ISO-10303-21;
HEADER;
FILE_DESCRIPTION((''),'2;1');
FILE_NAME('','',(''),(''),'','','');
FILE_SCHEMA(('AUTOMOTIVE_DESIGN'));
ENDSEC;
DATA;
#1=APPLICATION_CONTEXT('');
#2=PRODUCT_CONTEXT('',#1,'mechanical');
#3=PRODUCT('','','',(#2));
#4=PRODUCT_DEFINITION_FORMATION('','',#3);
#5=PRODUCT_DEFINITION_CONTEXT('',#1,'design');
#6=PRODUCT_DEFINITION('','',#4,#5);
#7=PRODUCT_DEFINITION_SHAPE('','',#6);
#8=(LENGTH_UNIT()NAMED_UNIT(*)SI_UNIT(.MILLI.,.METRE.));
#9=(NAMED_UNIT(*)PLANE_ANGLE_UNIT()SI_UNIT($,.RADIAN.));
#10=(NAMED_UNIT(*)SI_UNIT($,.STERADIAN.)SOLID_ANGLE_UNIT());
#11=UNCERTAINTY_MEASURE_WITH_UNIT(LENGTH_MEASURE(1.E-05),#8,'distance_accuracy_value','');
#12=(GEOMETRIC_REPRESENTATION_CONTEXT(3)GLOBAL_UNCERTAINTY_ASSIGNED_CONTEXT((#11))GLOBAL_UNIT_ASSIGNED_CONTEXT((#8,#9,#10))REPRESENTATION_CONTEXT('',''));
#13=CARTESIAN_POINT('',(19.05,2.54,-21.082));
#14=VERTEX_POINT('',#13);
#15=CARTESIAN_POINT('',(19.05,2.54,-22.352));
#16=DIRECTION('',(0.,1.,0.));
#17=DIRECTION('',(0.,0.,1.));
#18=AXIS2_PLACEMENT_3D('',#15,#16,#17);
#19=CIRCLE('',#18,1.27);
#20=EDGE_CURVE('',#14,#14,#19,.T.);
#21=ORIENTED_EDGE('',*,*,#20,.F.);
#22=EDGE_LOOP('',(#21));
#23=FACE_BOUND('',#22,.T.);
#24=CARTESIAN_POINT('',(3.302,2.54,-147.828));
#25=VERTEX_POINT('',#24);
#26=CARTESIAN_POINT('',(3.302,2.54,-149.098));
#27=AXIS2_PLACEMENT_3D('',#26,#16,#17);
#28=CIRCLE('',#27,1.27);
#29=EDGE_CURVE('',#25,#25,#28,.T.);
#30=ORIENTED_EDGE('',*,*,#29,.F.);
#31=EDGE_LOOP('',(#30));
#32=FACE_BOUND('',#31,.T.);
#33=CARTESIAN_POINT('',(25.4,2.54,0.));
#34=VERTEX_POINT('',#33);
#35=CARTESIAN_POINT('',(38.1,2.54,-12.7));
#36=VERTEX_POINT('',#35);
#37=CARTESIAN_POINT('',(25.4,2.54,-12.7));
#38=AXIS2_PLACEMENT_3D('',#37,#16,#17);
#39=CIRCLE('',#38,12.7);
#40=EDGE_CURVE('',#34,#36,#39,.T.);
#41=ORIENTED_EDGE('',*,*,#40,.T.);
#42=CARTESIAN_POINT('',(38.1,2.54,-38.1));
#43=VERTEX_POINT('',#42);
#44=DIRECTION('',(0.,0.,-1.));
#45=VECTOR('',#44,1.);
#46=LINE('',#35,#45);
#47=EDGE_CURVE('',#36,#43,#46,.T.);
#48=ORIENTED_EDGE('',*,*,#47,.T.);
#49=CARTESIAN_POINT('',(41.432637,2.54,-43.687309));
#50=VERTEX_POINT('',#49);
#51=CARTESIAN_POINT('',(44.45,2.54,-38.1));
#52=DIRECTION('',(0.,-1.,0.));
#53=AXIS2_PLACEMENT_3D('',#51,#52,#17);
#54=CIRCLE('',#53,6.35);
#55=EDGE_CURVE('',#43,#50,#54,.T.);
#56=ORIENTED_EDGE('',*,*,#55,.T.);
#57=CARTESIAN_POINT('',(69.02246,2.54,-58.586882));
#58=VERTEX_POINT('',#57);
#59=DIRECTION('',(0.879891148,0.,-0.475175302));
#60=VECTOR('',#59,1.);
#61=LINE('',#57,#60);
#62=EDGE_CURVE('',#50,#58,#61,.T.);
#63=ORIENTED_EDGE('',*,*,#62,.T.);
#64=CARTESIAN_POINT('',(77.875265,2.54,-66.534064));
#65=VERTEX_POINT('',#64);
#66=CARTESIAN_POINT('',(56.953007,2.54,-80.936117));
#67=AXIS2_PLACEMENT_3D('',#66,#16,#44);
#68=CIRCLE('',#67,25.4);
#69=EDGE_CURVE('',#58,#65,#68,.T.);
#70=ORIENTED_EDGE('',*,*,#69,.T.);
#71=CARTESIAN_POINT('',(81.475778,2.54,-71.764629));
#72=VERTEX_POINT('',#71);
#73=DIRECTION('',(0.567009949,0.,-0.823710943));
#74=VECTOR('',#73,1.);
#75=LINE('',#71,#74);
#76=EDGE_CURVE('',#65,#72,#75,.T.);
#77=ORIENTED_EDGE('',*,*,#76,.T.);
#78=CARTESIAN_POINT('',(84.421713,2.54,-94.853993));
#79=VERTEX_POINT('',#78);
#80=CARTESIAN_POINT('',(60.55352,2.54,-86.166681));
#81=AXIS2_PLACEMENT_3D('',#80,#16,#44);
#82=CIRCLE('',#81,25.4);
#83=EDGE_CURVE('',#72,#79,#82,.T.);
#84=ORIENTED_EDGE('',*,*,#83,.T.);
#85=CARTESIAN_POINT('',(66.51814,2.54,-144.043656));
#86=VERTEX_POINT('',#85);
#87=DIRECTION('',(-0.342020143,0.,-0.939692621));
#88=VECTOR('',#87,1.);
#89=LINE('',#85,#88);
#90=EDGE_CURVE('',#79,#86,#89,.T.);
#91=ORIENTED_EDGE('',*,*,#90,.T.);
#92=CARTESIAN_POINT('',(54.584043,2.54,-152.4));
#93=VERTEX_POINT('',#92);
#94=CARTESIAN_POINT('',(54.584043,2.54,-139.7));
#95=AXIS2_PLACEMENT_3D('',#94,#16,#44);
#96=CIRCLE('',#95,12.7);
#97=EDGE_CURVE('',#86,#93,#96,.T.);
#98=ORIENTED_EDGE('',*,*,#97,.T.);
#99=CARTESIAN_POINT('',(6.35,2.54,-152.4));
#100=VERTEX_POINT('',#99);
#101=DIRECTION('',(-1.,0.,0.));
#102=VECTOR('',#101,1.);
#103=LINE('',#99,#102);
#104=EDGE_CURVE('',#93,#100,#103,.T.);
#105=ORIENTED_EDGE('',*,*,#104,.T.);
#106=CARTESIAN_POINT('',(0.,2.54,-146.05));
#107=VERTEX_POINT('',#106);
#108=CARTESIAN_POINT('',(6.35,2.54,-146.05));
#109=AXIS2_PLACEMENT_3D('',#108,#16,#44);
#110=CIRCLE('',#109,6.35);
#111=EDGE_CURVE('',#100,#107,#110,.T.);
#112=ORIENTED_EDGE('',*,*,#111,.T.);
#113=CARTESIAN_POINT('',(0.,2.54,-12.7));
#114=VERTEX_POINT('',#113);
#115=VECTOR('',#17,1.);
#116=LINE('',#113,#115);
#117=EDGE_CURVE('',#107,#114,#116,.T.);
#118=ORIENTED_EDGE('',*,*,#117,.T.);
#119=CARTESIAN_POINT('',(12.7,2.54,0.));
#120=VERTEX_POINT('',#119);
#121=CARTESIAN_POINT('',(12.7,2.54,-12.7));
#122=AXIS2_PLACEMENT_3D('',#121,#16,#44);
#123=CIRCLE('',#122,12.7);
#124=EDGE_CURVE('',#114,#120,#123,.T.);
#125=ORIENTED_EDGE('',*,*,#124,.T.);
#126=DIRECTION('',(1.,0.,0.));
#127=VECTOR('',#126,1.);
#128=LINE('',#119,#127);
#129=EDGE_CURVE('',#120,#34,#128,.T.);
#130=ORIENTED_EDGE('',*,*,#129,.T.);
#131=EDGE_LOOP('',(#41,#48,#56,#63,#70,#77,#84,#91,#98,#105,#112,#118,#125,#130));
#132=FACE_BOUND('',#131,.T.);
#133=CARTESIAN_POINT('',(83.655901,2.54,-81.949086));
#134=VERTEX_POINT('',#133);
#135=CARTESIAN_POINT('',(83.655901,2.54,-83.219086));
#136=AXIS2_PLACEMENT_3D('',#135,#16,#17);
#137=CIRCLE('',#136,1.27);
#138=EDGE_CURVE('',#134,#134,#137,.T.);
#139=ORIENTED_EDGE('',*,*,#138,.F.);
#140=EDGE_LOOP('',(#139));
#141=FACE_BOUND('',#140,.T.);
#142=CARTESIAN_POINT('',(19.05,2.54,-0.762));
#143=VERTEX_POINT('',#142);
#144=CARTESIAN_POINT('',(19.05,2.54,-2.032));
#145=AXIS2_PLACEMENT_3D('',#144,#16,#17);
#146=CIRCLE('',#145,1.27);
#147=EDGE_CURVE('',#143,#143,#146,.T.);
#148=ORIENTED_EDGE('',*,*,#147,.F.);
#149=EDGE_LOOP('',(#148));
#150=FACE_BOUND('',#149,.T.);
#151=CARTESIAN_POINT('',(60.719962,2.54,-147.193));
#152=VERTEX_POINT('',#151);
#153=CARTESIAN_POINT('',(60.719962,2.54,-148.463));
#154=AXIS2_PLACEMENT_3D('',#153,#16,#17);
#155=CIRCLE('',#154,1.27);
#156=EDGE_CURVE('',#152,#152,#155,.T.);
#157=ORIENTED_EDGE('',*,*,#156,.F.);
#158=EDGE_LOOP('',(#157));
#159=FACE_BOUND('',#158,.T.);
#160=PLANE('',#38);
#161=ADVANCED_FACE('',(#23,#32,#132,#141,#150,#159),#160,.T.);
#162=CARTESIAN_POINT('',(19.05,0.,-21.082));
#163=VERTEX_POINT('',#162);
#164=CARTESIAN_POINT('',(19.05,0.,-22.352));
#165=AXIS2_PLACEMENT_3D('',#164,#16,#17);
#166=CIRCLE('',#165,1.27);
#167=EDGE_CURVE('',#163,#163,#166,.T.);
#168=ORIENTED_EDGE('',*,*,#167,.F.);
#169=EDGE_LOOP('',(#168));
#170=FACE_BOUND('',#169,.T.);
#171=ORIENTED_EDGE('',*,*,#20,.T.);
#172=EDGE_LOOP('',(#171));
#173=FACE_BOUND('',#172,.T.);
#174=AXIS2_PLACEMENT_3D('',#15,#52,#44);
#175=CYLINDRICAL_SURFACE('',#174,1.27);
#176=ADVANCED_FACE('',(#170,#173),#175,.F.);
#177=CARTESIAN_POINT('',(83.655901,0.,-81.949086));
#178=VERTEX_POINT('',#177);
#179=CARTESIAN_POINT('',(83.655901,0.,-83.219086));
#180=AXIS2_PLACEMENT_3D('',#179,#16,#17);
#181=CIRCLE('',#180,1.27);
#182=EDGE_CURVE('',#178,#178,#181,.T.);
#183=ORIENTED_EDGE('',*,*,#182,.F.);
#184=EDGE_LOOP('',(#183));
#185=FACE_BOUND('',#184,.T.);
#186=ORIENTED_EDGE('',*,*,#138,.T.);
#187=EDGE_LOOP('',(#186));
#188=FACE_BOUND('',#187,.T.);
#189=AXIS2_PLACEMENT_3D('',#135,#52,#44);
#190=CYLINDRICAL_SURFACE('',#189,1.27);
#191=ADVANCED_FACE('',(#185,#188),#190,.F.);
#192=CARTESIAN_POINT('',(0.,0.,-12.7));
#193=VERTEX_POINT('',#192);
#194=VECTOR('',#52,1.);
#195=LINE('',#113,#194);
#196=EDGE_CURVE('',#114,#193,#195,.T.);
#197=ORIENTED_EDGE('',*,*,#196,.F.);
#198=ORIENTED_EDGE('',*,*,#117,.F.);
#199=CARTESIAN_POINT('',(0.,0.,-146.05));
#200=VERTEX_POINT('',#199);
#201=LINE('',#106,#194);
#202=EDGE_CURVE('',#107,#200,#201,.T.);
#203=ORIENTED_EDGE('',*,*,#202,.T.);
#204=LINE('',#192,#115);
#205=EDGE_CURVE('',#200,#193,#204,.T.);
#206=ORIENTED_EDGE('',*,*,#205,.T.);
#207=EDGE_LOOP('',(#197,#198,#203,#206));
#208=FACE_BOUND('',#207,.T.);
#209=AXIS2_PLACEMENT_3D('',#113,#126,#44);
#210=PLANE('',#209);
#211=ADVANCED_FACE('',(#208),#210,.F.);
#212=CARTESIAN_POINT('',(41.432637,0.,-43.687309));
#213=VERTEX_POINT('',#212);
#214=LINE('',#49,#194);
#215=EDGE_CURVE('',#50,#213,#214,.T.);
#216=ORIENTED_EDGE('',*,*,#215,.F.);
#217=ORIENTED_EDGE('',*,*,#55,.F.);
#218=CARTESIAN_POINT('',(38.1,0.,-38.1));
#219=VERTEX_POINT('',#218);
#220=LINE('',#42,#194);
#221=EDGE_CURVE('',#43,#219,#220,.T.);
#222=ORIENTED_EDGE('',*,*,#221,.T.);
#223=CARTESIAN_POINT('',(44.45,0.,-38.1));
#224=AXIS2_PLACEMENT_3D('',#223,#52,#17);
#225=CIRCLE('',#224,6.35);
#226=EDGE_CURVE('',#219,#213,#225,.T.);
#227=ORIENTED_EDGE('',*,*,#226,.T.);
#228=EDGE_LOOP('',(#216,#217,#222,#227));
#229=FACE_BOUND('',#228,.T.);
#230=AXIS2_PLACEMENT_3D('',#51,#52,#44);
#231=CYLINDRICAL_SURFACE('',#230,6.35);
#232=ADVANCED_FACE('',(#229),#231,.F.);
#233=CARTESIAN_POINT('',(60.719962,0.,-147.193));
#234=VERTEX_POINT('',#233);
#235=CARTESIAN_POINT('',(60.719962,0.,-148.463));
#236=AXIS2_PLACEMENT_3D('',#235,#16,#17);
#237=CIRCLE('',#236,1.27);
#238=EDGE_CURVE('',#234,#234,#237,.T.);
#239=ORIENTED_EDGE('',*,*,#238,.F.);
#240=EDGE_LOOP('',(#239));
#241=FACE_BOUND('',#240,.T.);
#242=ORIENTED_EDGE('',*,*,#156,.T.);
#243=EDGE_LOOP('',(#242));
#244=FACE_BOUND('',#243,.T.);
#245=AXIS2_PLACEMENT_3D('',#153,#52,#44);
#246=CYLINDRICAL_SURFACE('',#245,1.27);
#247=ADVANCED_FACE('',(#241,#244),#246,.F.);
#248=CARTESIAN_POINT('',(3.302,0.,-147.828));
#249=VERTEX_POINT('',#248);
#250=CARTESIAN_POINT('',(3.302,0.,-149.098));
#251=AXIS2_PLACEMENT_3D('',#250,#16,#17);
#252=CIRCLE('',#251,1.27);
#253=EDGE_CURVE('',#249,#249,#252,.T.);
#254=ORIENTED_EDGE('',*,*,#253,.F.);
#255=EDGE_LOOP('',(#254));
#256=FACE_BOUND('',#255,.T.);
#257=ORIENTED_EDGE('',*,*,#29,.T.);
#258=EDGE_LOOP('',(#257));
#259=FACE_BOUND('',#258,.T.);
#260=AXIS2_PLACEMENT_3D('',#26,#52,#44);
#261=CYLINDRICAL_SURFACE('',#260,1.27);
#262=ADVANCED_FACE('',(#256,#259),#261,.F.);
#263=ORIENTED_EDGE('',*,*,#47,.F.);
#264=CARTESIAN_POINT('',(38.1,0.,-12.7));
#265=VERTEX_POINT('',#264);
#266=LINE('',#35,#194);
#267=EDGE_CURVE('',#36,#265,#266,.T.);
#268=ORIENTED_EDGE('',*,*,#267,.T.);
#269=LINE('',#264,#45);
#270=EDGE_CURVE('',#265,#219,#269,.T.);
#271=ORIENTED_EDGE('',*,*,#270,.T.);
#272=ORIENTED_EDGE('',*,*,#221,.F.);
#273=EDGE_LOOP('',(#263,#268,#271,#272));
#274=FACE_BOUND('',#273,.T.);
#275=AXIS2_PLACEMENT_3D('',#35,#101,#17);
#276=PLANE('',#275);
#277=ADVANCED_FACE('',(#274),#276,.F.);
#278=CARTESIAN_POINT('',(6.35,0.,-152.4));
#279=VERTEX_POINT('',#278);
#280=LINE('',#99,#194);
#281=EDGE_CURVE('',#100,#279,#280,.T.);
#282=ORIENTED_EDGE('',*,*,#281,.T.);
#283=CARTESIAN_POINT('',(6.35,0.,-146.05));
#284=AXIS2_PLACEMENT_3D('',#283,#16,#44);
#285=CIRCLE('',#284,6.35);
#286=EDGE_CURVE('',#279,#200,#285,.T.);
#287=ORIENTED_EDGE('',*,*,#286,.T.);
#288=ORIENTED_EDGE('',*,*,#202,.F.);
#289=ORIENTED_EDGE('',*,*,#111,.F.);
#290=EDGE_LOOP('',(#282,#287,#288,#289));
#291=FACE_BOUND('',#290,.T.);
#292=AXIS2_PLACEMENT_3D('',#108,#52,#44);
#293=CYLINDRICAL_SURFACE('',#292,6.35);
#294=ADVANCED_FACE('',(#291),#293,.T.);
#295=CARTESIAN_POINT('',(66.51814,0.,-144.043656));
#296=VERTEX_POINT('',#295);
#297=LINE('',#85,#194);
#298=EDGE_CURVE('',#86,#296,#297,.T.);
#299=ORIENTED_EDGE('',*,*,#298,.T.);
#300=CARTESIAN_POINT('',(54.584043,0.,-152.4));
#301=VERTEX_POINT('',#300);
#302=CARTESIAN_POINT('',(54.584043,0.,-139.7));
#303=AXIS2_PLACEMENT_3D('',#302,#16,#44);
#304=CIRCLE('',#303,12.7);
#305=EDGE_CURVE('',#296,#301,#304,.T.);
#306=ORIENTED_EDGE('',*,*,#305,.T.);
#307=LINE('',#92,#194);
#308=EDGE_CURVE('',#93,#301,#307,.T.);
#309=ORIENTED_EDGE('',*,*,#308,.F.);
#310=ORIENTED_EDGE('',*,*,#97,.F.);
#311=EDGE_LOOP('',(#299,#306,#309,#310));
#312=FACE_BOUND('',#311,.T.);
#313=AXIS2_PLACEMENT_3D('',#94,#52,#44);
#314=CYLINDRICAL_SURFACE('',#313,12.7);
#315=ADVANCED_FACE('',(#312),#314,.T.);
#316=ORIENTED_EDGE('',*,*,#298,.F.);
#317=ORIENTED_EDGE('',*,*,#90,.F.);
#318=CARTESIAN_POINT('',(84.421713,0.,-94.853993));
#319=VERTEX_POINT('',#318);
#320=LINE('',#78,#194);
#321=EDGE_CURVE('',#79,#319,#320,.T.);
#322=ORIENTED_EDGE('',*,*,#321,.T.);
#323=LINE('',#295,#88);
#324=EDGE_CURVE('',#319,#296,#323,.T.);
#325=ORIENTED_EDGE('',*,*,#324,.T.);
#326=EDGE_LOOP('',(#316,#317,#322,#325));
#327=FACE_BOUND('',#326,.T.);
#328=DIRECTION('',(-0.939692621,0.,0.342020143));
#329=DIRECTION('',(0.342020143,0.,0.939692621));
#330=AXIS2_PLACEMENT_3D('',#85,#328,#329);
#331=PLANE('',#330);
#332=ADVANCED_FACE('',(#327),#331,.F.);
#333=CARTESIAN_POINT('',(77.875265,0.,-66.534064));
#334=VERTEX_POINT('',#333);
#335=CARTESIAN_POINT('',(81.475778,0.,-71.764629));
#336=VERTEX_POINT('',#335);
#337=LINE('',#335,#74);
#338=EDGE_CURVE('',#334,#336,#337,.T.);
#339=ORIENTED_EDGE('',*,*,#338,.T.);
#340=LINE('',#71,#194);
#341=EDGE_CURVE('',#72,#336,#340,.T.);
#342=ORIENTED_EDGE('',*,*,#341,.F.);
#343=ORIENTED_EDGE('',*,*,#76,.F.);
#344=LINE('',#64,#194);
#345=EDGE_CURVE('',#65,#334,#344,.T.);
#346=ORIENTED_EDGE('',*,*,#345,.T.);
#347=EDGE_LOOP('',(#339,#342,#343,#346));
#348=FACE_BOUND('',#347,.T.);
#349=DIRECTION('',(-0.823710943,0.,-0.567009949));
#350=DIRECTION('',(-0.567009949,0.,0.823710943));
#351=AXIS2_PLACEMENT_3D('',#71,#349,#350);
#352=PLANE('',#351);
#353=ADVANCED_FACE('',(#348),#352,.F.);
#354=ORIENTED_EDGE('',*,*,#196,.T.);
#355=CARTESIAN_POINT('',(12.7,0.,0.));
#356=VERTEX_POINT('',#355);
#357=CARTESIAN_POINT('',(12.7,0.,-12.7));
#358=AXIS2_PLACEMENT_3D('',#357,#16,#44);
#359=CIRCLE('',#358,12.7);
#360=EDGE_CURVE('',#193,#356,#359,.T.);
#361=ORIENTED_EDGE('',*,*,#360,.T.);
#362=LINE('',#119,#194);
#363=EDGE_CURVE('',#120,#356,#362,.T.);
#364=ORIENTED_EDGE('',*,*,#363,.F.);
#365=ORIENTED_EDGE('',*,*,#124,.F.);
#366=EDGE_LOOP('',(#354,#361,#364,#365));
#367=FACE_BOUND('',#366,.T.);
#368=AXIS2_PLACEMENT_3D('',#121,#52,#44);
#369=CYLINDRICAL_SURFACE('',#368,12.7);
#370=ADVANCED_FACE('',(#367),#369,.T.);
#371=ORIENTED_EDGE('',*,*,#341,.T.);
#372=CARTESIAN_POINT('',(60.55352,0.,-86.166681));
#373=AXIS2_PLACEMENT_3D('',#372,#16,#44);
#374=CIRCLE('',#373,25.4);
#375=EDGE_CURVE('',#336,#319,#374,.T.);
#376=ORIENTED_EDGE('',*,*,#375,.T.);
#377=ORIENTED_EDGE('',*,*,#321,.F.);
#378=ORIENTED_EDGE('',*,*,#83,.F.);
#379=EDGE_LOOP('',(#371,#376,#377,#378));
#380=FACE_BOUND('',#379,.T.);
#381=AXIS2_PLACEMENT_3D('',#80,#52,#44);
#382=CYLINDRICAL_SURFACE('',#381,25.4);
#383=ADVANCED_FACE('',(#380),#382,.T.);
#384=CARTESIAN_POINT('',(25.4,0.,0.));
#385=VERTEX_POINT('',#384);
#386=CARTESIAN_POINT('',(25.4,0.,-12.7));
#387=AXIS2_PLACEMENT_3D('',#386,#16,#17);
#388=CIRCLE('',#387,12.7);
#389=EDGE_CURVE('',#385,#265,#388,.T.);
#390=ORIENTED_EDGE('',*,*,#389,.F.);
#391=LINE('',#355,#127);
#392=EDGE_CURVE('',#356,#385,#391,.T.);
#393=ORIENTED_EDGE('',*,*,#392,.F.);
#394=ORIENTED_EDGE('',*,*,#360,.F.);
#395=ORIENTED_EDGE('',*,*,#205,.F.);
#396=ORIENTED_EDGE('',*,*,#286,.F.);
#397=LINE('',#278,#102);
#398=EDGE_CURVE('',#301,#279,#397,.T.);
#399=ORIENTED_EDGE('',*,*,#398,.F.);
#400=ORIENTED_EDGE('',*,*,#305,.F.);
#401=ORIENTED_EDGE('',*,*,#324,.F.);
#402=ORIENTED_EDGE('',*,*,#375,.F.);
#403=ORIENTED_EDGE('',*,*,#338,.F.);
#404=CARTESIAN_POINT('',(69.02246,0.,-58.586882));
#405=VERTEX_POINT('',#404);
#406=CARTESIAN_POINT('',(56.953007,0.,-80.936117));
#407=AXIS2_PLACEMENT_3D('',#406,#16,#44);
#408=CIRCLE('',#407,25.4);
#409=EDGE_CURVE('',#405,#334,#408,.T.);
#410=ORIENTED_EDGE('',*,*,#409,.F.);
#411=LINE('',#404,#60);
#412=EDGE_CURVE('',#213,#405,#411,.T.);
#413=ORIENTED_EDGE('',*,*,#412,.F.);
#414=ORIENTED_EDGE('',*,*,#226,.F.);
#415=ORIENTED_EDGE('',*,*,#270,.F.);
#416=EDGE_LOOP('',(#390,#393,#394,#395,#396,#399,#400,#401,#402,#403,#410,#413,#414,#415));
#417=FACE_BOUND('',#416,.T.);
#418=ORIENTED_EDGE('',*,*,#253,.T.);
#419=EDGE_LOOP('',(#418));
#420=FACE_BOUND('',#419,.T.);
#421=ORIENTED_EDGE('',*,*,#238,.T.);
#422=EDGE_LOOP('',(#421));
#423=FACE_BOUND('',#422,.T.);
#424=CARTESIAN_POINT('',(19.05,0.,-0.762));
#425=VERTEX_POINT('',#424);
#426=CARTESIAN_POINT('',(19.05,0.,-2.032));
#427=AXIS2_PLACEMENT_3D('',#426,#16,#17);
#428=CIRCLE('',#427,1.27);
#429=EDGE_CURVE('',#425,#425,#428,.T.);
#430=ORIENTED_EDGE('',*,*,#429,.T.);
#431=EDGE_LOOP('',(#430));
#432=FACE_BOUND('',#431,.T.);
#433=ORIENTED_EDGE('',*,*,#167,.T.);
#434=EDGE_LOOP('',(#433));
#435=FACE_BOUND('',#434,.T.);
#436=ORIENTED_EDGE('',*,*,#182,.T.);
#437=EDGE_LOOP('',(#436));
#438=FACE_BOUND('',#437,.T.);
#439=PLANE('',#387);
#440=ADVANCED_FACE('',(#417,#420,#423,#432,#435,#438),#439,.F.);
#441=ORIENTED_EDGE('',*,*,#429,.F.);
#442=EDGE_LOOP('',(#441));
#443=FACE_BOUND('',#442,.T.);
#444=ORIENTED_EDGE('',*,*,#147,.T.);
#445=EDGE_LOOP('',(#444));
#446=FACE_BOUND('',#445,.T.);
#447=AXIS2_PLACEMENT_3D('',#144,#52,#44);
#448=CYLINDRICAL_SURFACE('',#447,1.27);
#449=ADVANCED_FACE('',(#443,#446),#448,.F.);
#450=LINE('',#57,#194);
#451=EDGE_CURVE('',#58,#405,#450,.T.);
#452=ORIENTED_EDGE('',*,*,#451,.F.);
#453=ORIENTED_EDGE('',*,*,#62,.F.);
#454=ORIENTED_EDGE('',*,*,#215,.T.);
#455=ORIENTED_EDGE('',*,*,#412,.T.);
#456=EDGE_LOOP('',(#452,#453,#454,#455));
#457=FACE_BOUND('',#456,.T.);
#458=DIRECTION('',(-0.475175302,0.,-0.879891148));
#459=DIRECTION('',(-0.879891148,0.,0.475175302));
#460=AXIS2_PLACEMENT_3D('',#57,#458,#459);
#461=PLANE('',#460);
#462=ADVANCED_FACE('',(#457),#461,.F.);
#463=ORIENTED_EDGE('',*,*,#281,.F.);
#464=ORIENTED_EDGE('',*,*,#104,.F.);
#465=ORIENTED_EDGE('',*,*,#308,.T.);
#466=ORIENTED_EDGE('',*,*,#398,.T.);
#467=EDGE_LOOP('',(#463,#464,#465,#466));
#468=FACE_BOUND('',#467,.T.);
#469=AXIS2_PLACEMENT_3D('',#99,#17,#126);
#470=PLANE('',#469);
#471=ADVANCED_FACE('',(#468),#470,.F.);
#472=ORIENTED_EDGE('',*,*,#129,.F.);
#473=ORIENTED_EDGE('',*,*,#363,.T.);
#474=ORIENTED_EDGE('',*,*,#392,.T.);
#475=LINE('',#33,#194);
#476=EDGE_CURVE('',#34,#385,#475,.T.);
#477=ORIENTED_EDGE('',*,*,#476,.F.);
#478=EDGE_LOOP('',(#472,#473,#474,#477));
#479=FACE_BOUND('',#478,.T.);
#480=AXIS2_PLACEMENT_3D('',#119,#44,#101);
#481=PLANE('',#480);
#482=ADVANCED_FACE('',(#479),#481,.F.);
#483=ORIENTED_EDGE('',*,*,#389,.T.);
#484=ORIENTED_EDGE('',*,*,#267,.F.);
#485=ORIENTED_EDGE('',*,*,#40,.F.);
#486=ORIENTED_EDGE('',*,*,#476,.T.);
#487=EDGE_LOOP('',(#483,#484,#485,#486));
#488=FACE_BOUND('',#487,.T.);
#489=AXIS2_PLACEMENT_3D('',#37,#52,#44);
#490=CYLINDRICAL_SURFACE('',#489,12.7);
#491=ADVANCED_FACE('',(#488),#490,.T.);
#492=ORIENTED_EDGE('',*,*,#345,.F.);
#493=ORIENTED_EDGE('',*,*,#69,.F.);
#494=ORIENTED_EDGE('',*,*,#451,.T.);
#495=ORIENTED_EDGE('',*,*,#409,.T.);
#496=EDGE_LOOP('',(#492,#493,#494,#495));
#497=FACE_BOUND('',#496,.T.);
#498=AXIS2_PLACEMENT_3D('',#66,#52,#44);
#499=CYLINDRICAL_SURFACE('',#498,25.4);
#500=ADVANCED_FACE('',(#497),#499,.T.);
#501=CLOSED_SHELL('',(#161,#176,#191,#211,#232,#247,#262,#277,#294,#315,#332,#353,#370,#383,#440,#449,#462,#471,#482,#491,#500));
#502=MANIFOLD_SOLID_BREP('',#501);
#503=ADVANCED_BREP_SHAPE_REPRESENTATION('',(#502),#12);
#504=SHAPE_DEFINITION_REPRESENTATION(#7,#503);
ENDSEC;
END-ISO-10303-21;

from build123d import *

# Parameters (mm, degrees)
OHGC_BASE_DEPTH  = 2.54
SKETCH7_R        = 1.27
SCREWHOLES_DEPTH = 3.54


with BuildPart() as part:
    # Sketch2 → OHGC BASE (new body)
    with BuildSketch(Plane(origin=(0, 0, 0), x_dir=(1, 0, 0), z_dir=(0, 1, 0))):
        with BuildLine():
            Line((12.7, 0), (25.4, 0))
            ThreePointArc((25.4, 0), (34.380256121, 3.719743879), (38.1, 12.7))
            Line((38.1, 12.7), (38.1, 38.1))
            ThreePointArc((38.1, 38.1), (38.996434372, 41.352863652), (41.432636832, 43.68730879))
            Line((41.432636832, 43.68730879), (69.022459682, 58.586881809))
            ThreePointArc((69.022459682, 58.586881809), (73.920701901, 62.034864891), (77.875264971, 66.534064274))
            Line((77.875264971, 66.534064274), (81.475778144, 71.764628765))
            ThreePointArc((81.475778144, 71.764628765), (85.749269843, 82.951996559), (84.42171275, 94.853993098))
            Line((84.42171275, 94.853993098), (66.518139685, 144.04365582))
            ThreePointArc((66.518139685, 144.04365582), (61.868464143, 150.103230962), (54.584043401, 152.4))
            Line((54.584043401, 152.4), (6.35, 152.4))
            ThreePointArc((6.35, 152.4), (1.859871939, 150.540128061), (0, 146.05))
            Line((0, 146.05), (0, 12.7))
            ThreePointArc((0, 12.7), (3.719743879, 3.719743879), (12.7, 0))
        make_face()
    extrude(amount=OHGC_BASE_DEPTH)

    # Sketch7 → Screwholes (cut, through all)
    with BuildSketch(Plane(origin=(0, 0, 0), x_dir=(1, 0, 0), z_dir=(0, 1, 0))):
        with Locations((3.302, 149.098)):
            Circle(SKETCH7_R)
        with Locations((60.719962059, 148.463)):
            Circle(SKETCH7_R)
        with Locations((83.655901234, 83.21908607)):
            Circle(SKETCH7_R)
        with Locations((19.05, 22.352)):
            Circle(SKETCH7_R)
        with Locations((19.05, 2.032)):
            Circle(SKETCH7_R)
    extrude(amount=SCREWHOLES_DEPTH, mode=Mode.SUBTRACT)


solid = part.part
